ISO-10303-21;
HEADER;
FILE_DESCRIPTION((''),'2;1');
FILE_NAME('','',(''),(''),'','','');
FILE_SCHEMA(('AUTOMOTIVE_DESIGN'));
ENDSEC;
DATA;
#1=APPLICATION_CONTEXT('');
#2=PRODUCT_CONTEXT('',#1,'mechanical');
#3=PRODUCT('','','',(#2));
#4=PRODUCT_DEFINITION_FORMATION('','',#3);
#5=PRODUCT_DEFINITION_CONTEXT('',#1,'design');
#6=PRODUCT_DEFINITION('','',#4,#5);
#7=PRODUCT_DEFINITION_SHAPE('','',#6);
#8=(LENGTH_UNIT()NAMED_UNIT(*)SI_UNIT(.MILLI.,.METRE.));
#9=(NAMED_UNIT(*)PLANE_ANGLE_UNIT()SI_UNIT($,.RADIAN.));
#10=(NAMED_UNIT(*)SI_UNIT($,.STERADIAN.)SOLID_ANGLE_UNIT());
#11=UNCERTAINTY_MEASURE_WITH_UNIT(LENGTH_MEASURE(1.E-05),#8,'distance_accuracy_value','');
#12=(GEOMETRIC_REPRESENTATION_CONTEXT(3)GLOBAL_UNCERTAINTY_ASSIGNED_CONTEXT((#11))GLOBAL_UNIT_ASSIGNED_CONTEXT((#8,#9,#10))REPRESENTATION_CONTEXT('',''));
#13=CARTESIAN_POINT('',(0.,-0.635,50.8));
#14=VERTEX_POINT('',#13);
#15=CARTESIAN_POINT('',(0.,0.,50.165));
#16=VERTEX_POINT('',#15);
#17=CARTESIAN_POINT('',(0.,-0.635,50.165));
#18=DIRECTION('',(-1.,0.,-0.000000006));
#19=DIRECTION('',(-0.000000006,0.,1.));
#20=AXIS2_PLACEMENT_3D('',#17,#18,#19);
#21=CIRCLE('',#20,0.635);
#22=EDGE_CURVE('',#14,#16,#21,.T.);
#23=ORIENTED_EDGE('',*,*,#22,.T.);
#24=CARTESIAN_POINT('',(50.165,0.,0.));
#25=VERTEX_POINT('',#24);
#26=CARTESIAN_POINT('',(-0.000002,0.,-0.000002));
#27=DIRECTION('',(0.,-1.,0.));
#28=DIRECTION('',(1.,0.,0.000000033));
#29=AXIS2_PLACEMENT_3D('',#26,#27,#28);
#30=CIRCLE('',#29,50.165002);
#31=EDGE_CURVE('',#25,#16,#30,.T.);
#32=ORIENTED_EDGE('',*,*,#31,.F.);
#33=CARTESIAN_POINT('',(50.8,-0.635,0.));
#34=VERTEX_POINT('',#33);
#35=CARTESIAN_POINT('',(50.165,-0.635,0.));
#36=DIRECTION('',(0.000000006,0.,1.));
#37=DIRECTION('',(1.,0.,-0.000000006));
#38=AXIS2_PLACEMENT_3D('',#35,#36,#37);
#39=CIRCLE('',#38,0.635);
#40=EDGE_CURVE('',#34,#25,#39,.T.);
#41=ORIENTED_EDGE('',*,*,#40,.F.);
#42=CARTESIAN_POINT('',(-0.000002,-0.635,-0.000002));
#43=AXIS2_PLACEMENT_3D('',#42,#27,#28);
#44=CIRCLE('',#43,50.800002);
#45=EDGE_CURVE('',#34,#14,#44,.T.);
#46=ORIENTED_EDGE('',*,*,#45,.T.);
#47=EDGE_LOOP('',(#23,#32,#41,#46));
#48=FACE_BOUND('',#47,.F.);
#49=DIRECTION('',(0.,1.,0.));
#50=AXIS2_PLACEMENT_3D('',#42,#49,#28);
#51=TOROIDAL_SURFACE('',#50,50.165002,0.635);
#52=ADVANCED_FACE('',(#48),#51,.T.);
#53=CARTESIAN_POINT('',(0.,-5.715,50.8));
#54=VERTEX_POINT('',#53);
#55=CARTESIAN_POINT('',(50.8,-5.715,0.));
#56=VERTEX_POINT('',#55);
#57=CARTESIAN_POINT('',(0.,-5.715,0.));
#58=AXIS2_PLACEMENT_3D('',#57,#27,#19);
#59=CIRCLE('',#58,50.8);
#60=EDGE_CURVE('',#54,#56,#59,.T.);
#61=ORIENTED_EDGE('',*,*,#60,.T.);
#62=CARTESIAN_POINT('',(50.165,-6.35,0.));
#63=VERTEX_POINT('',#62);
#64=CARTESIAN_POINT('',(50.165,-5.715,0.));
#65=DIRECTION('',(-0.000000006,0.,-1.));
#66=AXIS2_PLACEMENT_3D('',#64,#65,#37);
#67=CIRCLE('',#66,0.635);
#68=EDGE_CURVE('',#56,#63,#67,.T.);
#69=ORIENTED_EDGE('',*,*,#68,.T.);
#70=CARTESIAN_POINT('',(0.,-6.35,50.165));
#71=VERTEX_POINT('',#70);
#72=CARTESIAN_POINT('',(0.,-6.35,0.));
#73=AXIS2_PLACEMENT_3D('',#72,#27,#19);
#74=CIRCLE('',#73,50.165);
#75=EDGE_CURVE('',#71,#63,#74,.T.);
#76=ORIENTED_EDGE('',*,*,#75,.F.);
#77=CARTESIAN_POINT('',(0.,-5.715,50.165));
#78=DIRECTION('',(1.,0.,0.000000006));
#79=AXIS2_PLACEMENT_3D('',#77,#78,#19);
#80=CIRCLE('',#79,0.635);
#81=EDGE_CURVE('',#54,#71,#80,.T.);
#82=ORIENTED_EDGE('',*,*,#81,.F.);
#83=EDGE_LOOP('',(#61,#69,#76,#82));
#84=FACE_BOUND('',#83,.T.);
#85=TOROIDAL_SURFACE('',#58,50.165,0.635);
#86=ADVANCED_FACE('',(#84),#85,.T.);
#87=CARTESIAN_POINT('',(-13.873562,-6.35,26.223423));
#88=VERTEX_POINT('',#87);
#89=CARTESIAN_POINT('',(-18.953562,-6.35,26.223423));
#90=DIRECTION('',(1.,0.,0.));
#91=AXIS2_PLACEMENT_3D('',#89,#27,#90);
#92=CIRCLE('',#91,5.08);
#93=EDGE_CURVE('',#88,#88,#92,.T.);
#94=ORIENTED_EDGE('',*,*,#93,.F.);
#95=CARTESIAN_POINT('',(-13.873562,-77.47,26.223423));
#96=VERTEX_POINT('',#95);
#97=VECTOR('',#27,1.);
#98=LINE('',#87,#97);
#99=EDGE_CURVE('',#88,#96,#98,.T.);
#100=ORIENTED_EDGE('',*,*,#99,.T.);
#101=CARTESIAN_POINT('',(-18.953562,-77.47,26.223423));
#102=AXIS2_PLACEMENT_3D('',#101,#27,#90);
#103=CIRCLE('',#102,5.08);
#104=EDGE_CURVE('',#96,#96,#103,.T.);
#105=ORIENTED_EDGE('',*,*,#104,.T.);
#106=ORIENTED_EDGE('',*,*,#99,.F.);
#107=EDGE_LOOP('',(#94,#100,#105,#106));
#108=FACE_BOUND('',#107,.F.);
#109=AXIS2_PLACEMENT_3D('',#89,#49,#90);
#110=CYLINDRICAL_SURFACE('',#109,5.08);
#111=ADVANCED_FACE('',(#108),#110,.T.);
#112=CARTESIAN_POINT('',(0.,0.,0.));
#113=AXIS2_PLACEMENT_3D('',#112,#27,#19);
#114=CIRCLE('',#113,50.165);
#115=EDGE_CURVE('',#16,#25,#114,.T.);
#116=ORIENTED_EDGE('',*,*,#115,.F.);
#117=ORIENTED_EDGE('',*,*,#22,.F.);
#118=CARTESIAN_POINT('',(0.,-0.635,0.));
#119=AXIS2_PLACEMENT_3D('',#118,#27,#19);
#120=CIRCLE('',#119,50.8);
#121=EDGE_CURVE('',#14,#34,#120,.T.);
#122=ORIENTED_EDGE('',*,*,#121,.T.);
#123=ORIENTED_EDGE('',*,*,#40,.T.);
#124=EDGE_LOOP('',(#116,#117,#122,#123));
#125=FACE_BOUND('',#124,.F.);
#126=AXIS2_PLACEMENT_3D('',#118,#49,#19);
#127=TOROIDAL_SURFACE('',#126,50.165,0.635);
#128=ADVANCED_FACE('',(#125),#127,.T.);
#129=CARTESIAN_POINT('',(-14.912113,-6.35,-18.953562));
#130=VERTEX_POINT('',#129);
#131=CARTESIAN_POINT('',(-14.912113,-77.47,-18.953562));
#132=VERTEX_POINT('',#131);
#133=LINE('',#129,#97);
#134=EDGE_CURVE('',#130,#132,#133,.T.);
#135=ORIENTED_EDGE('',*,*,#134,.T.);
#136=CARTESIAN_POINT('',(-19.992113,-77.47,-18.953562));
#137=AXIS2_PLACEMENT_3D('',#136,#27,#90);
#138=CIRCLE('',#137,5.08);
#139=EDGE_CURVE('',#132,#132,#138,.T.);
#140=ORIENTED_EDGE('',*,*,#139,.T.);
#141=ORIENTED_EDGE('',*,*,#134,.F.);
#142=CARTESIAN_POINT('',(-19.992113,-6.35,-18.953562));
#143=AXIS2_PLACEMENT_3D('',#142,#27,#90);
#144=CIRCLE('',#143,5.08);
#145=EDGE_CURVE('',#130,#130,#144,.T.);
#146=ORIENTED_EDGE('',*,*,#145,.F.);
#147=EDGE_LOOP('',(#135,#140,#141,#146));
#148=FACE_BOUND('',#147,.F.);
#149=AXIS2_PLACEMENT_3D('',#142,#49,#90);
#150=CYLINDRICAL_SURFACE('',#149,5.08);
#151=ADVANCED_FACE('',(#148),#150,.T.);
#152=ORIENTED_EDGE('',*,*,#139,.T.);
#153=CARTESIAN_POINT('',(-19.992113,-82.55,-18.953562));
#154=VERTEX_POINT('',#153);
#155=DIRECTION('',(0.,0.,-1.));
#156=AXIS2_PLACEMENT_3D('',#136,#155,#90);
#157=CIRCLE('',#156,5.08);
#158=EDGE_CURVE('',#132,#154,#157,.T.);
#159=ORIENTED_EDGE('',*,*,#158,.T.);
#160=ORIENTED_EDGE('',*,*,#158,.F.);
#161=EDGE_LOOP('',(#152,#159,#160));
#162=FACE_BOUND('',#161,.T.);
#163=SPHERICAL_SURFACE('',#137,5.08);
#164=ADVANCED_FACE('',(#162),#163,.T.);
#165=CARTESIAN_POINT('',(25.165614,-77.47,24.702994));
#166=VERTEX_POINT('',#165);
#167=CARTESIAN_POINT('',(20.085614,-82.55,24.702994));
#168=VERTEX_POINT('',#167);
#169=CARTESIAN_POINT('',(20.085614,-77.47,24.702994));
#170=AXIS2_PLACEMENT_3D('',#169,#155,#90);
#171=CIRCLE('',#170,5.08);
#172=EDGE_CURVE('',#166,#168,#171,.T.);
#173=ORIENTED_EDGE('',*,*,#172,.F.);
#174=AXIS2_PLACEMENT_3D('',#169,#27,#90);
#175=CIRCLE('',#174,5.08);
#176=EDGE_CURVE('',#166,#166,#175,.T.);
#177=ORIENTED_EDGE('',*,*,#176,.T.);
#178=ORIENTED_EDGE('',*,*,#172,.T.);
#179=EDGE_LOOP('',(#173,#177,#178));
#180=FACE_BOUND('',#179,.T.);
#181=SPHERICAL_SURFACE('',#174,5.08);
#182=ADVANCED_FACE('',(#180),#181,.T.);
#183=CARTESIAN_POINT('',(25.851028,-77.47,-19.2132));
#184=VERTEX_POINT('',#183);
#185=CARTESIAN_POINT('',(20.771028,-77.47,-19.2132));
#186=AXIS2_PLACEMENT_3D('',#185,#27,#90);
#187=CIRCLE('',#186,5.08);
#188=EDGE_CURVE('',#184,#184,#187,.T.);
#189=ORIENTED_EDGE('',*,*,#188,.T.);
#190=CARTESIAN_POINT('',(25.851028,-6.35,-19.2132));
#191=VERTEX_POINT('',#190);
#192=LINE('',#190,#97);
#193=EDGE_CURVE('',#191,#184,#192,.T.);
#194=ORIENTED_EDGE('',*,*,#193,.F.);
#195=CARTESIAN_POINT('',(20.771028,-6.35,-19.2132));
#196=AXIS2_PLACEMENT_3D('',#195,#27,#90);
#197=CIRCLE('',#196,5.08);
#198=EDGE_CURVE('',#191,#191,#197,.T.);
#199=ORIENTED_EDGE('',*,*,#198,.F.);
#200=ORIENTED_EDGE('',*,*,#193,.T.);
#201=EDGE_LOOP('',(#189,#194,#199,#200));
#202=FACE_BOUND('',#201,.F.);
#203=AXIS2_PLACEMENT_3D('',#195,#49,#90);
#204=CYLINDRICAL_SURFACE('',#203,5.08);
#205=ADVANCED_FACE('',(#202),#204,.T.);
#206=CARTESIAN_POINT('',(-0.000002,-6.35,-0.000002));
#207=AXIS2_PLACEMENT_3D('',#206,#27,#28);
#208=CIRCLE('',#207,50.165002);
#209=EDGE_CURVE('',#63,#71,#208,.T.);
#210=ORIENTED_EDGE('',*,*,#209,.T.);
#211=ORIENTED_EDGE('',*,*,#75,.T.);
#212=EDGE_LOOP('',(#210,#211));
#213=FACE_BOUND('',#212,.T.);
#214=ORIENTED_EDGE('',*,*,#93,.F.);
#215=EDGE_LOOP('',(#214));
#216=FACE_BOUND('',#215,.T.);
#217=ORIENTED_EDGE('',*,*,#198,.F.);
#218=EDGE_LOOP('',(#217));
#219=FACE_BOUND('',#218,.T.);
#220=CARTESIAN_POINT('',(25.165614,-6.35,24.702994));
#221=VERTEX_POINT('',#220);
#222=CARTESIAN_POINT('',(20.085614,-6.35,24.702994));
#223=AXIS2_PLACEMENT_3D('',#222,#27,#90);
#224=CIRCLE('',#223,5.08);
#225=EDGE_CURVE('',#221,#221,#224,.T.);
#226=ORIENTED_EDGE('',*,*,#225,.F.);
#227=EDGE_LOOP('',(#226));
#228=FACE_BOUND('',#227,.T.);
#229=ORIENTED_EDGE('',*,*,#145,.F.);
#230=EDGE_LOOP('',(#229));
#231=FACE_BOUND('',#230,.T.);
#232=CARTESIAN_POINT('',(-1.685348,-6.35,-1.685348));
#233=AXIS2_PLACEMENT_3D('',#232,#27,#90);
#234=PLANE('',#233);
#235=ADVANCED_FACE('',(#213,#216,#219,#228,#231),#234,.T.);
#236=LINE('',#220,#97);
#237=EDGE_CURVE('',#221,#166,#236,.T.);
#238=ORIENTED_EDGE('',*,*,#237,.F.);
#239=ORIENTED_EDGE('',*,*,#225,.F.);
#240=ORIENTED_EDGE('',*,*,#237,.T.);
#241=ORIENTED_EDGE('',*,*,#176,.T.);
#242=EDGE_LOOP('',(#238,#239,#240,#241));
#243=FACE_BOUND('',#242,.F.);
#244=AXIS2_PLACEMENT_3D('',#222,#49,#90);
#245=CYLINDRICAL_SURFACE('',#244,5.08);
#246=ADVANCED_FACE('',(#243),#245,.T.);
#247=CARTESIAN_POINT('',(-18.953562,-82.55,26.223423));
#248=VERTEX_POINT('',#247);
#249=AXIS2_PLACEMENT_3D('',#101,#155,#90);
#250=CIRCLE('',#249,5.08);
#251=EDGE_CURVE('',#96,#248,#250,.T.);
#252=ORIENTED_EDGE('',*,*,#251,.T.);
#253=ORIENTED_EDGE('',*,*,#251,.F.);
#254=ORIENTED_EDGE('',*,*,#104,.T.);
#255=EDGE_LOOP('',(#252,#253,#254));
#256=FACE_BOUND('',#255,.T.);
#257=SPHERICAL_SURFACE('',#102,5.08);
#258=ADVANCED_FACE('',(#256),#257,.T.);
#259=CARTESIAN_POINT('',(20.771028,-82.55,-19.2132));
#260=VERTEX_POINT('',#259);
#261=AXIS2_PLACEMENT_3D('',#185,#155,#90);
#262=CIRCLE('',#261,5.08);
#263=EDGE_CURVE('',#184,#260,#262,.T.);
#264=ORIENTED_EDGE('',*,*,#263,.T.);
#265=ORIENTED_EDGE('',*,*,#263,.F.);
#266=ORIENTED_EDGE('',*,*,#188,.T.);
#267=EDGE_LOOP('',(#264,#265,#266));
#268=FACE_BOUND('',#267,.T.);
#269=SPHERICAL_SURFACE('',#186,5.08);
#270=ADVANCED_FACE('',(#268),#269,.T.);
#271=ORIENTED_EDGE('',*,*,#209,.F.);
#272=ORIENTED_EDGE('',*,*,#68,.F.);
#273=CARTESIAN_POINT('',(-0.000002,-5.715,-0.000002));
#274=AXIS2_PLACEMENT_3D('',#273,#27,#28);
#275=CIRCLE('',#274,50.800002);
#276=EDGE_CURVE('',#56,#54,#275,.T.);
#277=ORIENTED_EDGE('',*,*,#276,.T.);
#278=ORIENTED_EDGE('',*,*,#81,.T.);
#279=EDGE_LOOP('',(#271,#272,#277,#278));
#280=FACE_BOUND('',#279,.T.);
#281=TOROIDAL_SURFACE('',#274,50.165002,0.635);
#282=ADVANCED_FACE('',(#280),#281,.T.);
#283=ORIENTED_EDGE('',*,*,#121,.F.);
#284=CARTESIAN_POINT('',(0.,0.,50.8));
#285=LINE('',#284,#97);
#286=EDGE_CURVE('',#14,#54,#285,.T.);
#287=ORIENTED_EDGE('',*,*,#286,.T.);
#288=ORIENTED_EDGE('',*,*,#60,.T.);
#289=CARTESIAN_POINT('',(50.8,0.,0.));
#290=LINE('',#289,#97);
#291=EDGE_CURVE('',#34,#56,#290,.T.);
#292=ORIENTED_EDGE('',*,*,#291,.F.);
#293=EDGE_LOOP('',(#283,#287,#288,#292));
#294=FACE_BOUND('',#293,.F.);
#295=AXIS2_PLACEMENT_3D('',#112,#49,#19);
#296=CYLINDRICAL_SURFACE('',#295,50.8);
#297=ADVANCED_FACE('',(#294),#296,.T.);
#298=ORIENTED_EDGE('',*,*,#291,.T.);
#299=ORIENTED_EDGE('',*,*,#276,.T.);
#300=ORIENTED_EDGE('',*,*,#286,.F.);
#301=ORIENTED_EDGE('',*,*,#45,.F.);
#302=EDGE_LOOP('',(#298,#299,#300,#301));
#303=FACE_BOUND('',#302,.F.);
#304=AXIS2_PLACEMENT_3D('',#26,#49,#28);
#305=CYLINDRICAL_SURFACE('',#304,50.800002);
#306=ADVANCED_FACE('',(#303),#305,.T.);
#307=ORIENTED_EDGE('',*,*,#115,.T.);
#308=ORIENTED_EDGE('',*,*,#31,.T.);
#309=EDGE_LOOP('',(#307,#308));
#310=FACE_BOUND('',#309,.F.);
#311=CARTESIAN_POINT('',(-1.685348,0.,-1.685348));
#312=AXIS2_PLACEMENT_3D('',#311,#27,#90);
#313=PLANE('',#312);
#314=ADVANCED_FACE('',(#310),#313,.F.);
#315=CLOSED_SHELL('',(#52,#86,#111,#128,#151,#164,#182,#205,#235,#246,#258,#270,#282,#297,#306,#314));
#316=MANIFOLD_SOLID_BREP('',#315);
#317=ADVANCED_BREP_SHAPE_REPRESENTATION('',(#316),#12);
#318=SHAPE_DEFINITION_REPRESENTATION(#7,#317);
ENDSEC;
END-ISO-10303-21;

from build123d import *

# Parameters (mm, degrees)
F0_R     = 6.35
F1_DEPTH = 6.35
F2_R     = 0.635
F3_R     = 5.08
F4_DEPTH = 76.2
F5_DEPTH = 76.2
F6_R     = 5.08


with BuildPart() as f1:
    # F0 (on Front) → F1 (new body)
    with BuildSketch(Plane.XZ):
        with BuildLine():
            ThreePointArc((0, 50.8), (-35.921024, -35.921024), (50.8, 0))
            Line((50.8, 0), (0, 0))
            Line((0, 0), (0, 50.8))
        make_face()
        with BuildLine():
            Line((0, 0), (50.8, 0))
            ThreePointArc((50.8, 0), (35.921024, 35.921024), (0, 50.8))
            Line((0, 50.8), (0, 0))
        make_face()
        with Locations((19.05, 25.4)):
            Circle(F0_R, mode=Mode.SUBTRACT)
        with Locations((19.05, 25.4)):
            Circle(F0_R)
    extrude(amount=F1_DEPTH)

    # F2
    f2_edges = [f1.edges().sort_by_distance(p)[0] for p in [
        (-50.8, -6.35, 0),
        (-50.8, 0, 0),
    ]]
    fillet(f2_edges, radius=F2_R)

    # F3 (on face) → F4 (join)
    with BuildSketch(Plane.XZ.offset(6.35)):
        with Locations((20.085614, 24.702994)):
            Circle(F3_R)
    extrude(amount=F4_DEPTH)

    # F3 (on face) → F5 (join)
    with BuildSketch(Plane.XZ.offset(6.35)):
        with Locations((20.085614, 24.702994)):
            Circle(F3_R)
        with Locations((20.771028, -19.2132)):
            Circle(F3_R)
        with Locations((-19.992113, -18.953562)):
            Circle(F3_R)
        with Locations((-18.953562, 26.223423)):
            Circle(F3_R)
    extrude(amount=F5_DEPTH)

    # F6
    f6_edges = [f1.edges().sort_by_distance(p)[0] for p in [
        (-24.033562, -82.55, 26.223423),
        (15.005614, -82.55, 24.702994),
        (-25.072113, -82.55, -18.953562),
        (15.691028, -82.55, -19.2132),
    ]]
    fillet(f6_edges, radius=F6_R)


solid = f1.part
